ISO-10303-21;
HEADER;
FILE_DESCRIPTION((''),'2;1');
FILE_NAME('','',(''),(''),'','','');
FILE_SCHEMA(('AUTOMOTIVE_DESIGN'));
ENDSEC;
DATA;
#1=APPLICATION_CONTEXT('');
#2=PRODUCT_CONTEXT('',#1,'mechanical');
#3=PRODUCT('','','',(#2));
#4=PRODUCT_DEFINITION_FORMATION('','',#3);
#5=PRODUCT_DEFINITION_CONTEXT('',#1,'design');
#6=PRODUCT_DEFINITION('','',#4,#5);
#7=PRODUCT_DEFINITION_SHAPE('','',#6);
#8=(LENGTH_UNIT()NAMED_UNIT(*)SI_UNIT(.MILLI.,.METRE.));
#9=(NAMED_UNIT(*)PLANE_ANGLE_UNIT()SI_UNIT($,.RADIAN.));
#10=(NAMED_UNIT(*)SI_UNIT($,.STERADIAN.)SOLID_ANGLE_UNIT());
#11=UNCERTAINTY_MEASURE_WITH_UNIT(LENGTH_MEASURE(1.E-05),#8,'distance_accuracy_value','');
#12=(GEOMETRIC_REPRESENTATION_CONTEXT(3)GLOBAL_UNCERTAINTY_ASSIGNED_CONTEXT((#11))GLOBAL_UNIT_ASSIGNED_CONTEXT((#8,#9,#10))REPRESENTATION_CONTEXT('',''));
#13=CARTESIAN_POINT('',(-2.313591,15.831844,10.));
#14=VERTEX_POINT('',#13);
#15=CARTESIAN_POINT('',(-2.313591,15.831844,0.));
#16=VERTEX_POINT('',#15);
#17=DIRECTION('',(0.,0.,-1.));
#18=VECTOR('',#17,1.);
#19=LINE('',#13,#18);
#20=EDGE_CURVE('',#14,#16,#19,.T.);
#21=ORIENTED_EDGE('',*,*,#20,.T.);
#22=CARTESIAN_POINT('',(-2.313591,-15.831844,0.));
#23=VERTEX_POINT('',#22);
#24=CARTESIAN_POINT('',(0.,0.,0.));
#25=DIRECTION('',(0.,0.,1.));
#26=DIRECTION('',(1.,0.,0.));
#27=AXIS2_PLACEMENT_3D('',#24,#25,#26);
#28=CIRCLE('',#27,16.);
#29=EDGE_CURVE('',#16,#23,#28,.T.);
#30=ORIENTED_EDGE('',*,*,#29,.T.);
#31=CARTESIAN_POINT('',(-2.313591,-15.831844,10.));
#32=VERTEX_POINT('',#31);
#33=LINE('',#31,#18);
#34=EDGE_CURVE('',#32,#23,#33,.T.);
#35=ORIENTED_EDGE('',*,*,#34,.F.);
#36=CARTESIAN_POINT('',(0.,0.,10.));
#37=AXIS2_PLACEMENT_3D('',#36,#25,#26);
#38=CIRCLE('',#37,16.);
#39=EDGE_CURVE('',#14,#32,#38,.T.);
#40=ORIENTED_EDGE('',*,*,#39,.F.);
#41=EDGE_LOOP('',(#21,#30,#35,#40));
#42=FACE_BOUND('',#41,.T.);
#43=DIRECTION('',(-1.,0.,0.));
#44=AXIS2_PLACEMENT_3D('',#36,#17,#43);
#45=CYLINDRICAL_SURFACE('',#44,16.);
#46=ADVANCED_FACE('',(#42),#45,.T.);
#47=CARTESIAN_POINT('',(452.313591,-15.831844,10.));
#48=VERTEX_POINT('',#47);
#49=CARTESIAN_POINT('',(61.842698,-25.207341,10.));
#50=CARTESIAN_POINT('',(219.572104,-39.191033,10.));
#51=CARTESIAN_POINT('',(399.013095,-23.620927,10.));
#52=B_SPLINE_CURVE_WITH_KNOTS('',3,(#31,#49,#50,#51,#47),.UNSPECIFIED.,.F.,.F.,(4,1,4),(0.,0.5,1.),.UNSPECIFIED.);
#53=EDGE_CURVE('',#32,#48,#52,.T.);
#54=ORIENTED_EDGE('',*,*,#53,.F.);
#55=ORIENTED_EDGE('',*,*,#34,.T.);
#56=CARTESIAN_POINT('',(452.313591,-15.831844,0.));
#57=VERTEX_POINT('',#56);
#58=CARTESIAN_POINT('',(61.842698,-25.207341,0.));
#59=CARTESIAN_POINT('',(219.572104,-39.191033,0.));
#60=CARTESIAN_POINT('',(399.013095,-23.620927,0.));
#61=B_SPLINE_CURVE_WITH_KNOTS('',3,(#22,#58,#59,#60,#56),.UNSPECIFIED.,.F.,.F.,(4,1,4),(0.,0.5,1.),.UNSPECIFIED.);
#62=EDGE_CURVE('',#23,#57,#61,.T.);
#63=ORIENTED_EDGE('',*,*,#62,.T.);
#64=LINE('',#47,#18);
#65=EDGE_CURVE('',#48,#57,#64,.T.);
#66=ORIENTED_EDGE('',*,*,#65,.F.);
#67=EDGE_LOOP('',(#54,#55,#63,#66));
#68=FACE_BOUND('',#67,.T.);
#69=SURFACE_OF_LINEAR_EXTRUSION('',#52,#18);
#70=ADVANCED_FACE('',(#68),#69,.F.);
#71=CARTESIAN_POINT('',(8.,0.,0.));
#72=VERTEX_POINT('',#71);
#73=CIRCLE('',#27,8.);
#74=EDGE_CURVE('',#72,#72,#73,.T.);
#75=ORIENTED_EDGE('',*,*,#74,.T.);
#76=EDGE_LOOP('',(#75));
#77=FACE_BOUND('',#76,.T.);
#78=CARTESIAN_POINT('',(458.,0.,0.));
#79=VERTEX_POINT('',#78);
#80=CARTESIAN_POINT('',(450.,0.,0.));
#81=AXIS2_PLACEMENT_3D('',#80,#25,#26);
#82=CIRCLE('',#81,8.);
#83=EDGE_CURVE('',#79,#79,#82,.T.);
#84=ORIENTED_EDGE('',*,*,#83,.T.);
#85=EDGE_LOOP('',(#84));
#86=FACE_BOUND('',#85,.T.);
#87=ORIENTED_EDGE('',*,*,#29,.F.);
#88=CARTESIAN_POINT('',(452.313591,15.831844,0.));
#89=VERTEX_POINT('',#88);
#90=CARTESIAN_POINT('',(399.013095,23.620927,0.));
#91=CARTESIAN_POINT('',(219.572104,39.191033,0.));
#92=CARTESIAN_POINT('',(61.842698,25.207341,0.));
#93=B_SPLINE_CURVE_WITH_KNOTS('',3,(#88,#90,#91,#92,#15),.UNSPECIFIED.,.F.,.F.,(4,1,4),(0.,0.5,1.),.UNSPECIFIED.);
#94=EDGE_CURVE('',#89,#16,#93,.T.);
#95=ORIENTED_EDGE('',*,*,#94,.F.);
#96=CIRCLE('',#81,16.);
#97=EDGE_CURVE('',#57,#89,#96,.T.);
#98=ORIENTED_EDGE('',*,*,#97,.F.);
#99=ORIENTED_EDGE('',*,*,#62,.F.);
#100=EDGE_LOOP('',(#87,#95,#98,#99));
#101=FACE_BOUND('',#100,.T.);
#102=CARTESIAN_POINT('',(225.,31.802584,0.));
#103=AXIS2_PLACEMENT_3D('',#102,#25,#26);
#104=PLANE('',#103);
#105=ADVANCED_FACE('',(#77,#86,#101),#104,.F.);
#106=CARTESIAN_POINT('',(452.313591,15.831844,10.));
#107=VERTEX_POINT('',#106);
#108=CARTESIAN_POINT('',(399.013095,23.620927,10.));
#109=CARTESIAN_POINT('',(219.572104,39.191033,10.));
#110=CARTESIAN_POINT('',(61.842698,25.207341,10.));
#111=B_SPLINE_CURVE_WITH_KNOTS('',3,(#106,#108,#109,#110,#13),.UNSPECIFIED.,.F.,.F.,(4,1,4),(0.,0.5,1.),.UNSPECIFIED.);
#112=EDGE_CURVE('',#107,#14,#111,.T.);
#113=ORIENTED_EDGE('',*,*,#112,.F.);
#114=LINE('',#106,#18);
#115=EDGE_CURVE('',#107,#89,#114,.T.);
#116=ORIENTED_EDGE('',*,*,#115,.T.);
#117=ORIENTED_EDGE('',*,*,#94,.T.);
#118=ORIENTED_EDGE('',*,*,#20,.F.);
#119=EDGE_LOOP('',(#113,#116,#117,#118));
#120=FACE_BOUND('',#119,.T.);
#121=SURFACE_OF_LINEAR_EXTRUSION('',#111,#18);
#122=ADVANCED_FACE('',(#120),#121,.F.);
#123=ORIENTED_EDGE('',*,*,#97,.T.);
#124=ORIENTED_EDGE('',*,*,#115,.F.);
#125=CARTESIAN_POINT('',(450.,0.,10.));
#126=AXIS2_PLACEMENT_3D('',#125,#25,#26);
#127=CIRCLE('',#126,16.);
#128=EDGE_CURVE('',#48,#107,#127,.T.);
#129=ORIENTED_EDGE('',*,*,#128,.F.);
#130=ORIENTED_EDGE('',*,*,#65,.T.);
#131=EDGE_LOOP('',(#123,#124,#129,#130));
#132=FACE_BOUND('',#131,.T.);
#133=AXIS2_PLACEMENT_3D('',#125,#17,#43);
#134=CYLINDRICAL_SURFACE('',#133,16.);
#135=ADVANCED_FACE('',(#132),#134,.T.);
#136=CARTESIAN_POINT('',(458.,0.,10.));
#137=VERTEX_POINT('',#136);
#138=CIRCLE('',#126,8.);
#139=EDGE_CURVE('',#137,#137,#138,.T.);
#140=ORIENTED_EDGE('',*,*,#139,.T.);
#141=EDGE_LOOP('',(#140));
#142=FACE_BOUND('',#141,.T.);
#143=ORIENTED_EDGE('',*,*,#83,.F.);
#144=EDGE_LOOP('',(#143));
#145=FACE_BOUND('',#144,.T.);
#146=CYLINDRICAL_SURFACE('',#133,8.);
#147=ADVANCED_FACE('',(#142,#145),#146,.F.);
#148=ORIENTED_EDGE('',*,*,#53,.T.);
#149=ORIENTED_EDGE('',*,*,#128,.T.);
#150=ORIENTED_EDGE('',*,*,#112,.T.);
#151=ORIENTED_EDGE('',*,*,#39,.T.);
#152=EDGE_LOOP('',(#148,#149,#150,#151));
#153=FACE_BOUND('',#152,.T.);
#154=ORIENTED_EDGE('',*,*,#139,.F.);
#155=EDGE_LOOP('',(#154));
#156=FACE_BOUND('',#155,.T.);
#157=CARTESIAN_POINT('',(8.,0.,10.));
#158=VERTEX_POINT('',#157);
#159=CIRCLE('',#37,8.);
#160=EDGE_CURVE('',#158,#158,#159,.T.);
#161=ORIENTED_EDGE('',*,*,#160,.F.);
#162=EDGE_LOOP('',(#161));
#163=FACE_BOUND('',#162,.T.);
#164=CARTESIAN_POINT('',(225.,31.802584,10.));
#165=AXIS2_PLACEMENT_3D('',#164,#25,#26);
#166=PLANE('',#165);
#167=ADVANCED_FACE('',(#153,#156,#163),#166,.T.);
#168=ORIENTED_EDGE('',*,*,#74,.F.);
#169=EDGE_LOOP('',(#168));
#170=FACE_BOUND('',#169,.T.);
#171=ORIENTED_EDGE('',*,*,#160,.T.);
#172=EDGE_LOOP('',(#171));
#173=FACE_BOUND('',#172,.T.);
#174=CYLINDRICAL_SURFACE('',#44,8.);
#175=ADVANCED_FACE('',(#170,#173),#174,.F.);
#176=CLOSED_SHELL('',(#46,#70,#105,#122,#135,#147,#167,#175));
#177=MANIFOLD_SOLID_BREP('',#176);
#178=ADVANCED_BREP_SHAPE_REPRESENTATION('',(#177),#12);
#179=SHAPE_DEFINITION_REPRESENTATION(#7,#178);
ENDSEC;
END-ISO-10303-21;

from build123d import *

# Parameters (mm, degrees)
SKETCH_1_R      = 8
EXTRUDE_1_DEPTH = 10


with BuildPart() as part:
    # 草图1 → 凸台-拉伸1 (new body)
    with BuildSketch(Plane.XY):
        with BuildLine():
            ThreePointArc((-2.313590971, 15.831844391), (-16, 0), (-2.313590971, -15.831844391))
            add(Edge.make_bspline(
                [(-2.313590971, -15.831844391), (61.84269778, -25.207341442), (219.572103506, -39.191033108), (399.013095208, -23.620927123), (452.313590971, -15.831844391)],
                knots=[0, 0, 0, 0, 0.5, 1, 1, 1, 1], degree=3))
            ThreePointArc((452.313590971, -15.831844391), (466, 0), (452.313590971, 15.831844391))
            add(Edge.make_bspline(
                [(-2.313590971, 15.831844391), (61.84269778, 25.207341442), (219.572103506, 39.191033108), (399.013095208, 23.620927123), (452.313590971, 15.831844391)],
                knots=[0, 0, 0, 0, 0.5, 1, 1, 1, 1], degree=3))
        make_face()
        Circle(SKETCH_1_R, mode=Mode.SUBTRACT)
        with Locations((450, 0)):
            Circle(SKETCH_1_R, mode=Mode.SUBTRACT)
    extrude(amount=EXTRUDE_1_DEPTH)


solid = part.part
